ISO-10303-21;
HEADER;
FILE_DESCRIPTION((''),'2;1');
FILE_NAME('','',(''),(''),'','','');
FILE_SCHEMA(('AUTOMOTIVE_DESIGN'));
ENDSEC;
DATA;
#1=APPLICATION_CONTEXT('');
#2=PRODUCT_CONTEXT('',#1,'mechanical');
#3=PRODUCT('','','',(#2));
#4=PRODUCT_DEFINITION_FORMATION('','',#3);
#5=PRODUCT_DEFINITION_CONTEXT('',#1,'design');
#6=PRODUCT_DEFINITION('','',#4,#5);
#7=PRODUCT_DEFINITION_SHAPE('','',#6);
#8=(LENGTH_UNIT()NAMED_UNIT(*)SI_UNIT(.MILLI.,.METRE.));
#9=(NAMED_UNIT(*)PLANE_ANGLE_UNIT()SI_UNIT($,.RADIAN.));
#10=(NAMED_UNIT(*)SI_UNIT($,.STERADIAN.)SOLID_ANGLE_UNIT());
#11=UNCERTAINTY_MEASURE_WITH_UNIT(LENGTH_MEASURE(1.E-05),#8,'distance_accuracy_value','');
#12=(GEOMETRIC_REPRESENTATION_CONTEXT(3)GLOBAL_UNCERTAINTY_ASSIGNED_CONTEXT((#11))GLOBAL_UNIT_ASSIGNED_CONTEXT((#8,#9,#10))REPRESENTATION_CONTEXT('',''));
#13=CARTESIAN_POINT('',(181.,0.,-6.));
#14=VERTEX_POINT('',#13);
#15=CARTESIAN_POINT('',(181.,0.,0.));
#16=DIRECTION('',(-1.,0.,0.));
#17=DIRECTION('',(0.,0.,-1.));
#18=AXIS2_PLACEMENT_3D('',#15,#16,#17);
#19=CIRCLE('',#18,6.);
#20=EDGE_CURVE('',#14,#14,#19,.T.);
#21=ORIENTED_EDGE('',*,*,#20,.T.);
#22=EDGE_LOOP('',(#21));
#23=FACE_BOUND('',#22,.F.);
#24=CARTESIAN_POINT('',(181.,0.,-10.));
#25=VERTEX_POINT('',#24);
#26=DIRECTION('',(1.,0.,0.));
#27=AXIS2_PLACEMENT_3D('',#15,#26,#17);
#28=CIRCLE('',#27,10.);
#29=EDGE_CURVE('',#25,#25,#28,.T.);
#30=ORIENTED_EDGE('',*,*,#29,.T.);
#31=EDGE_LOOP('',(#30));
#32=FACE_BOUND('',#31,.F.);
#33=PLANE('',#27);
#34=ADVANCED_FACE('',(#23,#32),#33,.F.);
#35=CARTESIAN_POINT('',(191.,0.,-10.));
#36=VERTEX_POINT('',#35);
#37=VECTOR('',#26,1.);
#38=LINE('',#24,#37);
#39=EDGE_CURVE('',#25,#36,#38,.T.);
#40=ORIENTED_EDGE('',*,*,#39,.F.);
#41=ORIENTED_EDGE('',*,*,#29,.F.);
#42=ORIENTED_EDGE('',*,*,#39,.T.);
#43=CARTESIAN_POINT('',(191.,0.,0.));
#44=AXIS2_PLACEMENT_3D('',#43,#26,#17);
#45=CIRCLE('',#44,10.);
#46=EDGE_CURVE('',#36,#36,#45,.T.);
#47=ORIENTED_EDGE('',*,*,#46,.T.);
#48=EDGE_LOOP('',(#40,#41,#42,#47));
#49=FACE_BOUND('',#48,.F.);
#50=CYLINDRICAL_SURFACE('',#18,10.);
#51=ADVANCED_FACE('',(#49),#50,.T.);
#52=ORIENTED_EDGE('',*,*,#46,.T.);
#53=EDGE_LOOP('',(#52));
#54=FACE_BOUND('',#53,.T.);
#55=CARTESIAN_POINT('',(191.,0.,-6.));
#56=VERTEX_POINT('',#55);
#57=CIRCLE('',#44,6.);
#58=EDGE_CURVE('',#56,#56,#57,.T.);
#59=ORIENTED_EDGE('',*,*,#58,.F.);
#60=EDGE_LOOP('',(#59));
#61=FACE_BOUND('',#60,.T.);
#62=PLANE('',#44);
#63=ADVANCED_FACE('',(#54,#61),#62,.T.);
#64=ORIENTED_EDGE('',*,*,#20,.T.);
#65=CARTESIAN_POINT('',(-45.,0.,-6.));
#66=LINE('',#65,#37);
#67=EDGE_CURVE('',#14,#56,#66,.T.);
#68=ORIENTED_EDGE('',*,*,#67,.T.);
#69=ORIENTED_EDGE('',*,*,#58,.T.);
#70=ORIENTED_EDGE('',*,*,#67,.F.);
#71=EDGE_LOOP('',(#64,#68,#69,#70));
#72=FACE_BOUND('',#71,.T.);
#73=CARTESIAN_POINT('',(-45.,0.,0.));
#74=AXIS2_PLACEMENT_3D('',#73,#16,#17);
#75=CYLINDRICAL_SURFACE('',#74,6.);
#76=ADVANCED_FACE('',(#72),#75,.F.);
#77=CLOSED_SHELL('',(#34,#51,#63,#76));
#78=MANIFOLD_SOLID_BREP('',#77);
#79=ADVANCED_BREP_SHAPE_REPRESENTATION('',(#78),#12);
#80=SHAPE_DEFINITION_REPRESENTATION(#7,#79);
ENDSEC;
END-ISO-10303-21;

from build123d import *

# Parameters (mm, degrees)
CYLINDER007_R           = 6
CYLINDER007_DEPTH       = 236
CYLINDER007_PITCH_ANGLE = 90
CYLINDER006_R           = 10
CYLINDER006_DEPTH       = 10
CYLINDER006_PITCH_ANGLE = 90


with BuildPart() as connector_bore:
    # Cylinder007 → Cylinder007 (new body)
    with BuildSketch(Plane.XY):
        Circle(CYLINDER007_R)
    extrude(amount=CYLINDER007_DEPTH)


with BuildPart() as connector_bore_1:
    # Cylinder007 pitch: moved
    add(connector_bore.part.rotate(Axis((0, 0, 0), (0, 1, 0)), CYLINDER007_PITCH_ANGLE))


with BuildPart() as connector_bore_2:
    # Cylinder007 placement: moved
    add(connector_bore_1.part.moved(Location((-45, 0, 0))))


with BuildPart() as cut001:
    # Cylinder006 → Cylinder006 (new body)
    with BuildSketch(Plane.XY):
        Circle(CYLINDER006_R)
    extrude(amount=CYLINDER006_DEPTH)


with BuildPart() as cut001_1:
    # Cylinder006 pitch: moved
    add(cut001.part.rotate(Axis((0, 0, 0), (0, 1, 0)), CYLINDER006_PITCH_ANGLE))


with BuildPart() as cut001_2:
    # Cylinder006 placement: moved
    add(cut001_1.part.moved(Location((181, 0, 0))))

    # Cut001: cut connector_bore
    add(connector_bore_2.part, mode=Mode.SUBTRACT)


solid = cut001_2.part
